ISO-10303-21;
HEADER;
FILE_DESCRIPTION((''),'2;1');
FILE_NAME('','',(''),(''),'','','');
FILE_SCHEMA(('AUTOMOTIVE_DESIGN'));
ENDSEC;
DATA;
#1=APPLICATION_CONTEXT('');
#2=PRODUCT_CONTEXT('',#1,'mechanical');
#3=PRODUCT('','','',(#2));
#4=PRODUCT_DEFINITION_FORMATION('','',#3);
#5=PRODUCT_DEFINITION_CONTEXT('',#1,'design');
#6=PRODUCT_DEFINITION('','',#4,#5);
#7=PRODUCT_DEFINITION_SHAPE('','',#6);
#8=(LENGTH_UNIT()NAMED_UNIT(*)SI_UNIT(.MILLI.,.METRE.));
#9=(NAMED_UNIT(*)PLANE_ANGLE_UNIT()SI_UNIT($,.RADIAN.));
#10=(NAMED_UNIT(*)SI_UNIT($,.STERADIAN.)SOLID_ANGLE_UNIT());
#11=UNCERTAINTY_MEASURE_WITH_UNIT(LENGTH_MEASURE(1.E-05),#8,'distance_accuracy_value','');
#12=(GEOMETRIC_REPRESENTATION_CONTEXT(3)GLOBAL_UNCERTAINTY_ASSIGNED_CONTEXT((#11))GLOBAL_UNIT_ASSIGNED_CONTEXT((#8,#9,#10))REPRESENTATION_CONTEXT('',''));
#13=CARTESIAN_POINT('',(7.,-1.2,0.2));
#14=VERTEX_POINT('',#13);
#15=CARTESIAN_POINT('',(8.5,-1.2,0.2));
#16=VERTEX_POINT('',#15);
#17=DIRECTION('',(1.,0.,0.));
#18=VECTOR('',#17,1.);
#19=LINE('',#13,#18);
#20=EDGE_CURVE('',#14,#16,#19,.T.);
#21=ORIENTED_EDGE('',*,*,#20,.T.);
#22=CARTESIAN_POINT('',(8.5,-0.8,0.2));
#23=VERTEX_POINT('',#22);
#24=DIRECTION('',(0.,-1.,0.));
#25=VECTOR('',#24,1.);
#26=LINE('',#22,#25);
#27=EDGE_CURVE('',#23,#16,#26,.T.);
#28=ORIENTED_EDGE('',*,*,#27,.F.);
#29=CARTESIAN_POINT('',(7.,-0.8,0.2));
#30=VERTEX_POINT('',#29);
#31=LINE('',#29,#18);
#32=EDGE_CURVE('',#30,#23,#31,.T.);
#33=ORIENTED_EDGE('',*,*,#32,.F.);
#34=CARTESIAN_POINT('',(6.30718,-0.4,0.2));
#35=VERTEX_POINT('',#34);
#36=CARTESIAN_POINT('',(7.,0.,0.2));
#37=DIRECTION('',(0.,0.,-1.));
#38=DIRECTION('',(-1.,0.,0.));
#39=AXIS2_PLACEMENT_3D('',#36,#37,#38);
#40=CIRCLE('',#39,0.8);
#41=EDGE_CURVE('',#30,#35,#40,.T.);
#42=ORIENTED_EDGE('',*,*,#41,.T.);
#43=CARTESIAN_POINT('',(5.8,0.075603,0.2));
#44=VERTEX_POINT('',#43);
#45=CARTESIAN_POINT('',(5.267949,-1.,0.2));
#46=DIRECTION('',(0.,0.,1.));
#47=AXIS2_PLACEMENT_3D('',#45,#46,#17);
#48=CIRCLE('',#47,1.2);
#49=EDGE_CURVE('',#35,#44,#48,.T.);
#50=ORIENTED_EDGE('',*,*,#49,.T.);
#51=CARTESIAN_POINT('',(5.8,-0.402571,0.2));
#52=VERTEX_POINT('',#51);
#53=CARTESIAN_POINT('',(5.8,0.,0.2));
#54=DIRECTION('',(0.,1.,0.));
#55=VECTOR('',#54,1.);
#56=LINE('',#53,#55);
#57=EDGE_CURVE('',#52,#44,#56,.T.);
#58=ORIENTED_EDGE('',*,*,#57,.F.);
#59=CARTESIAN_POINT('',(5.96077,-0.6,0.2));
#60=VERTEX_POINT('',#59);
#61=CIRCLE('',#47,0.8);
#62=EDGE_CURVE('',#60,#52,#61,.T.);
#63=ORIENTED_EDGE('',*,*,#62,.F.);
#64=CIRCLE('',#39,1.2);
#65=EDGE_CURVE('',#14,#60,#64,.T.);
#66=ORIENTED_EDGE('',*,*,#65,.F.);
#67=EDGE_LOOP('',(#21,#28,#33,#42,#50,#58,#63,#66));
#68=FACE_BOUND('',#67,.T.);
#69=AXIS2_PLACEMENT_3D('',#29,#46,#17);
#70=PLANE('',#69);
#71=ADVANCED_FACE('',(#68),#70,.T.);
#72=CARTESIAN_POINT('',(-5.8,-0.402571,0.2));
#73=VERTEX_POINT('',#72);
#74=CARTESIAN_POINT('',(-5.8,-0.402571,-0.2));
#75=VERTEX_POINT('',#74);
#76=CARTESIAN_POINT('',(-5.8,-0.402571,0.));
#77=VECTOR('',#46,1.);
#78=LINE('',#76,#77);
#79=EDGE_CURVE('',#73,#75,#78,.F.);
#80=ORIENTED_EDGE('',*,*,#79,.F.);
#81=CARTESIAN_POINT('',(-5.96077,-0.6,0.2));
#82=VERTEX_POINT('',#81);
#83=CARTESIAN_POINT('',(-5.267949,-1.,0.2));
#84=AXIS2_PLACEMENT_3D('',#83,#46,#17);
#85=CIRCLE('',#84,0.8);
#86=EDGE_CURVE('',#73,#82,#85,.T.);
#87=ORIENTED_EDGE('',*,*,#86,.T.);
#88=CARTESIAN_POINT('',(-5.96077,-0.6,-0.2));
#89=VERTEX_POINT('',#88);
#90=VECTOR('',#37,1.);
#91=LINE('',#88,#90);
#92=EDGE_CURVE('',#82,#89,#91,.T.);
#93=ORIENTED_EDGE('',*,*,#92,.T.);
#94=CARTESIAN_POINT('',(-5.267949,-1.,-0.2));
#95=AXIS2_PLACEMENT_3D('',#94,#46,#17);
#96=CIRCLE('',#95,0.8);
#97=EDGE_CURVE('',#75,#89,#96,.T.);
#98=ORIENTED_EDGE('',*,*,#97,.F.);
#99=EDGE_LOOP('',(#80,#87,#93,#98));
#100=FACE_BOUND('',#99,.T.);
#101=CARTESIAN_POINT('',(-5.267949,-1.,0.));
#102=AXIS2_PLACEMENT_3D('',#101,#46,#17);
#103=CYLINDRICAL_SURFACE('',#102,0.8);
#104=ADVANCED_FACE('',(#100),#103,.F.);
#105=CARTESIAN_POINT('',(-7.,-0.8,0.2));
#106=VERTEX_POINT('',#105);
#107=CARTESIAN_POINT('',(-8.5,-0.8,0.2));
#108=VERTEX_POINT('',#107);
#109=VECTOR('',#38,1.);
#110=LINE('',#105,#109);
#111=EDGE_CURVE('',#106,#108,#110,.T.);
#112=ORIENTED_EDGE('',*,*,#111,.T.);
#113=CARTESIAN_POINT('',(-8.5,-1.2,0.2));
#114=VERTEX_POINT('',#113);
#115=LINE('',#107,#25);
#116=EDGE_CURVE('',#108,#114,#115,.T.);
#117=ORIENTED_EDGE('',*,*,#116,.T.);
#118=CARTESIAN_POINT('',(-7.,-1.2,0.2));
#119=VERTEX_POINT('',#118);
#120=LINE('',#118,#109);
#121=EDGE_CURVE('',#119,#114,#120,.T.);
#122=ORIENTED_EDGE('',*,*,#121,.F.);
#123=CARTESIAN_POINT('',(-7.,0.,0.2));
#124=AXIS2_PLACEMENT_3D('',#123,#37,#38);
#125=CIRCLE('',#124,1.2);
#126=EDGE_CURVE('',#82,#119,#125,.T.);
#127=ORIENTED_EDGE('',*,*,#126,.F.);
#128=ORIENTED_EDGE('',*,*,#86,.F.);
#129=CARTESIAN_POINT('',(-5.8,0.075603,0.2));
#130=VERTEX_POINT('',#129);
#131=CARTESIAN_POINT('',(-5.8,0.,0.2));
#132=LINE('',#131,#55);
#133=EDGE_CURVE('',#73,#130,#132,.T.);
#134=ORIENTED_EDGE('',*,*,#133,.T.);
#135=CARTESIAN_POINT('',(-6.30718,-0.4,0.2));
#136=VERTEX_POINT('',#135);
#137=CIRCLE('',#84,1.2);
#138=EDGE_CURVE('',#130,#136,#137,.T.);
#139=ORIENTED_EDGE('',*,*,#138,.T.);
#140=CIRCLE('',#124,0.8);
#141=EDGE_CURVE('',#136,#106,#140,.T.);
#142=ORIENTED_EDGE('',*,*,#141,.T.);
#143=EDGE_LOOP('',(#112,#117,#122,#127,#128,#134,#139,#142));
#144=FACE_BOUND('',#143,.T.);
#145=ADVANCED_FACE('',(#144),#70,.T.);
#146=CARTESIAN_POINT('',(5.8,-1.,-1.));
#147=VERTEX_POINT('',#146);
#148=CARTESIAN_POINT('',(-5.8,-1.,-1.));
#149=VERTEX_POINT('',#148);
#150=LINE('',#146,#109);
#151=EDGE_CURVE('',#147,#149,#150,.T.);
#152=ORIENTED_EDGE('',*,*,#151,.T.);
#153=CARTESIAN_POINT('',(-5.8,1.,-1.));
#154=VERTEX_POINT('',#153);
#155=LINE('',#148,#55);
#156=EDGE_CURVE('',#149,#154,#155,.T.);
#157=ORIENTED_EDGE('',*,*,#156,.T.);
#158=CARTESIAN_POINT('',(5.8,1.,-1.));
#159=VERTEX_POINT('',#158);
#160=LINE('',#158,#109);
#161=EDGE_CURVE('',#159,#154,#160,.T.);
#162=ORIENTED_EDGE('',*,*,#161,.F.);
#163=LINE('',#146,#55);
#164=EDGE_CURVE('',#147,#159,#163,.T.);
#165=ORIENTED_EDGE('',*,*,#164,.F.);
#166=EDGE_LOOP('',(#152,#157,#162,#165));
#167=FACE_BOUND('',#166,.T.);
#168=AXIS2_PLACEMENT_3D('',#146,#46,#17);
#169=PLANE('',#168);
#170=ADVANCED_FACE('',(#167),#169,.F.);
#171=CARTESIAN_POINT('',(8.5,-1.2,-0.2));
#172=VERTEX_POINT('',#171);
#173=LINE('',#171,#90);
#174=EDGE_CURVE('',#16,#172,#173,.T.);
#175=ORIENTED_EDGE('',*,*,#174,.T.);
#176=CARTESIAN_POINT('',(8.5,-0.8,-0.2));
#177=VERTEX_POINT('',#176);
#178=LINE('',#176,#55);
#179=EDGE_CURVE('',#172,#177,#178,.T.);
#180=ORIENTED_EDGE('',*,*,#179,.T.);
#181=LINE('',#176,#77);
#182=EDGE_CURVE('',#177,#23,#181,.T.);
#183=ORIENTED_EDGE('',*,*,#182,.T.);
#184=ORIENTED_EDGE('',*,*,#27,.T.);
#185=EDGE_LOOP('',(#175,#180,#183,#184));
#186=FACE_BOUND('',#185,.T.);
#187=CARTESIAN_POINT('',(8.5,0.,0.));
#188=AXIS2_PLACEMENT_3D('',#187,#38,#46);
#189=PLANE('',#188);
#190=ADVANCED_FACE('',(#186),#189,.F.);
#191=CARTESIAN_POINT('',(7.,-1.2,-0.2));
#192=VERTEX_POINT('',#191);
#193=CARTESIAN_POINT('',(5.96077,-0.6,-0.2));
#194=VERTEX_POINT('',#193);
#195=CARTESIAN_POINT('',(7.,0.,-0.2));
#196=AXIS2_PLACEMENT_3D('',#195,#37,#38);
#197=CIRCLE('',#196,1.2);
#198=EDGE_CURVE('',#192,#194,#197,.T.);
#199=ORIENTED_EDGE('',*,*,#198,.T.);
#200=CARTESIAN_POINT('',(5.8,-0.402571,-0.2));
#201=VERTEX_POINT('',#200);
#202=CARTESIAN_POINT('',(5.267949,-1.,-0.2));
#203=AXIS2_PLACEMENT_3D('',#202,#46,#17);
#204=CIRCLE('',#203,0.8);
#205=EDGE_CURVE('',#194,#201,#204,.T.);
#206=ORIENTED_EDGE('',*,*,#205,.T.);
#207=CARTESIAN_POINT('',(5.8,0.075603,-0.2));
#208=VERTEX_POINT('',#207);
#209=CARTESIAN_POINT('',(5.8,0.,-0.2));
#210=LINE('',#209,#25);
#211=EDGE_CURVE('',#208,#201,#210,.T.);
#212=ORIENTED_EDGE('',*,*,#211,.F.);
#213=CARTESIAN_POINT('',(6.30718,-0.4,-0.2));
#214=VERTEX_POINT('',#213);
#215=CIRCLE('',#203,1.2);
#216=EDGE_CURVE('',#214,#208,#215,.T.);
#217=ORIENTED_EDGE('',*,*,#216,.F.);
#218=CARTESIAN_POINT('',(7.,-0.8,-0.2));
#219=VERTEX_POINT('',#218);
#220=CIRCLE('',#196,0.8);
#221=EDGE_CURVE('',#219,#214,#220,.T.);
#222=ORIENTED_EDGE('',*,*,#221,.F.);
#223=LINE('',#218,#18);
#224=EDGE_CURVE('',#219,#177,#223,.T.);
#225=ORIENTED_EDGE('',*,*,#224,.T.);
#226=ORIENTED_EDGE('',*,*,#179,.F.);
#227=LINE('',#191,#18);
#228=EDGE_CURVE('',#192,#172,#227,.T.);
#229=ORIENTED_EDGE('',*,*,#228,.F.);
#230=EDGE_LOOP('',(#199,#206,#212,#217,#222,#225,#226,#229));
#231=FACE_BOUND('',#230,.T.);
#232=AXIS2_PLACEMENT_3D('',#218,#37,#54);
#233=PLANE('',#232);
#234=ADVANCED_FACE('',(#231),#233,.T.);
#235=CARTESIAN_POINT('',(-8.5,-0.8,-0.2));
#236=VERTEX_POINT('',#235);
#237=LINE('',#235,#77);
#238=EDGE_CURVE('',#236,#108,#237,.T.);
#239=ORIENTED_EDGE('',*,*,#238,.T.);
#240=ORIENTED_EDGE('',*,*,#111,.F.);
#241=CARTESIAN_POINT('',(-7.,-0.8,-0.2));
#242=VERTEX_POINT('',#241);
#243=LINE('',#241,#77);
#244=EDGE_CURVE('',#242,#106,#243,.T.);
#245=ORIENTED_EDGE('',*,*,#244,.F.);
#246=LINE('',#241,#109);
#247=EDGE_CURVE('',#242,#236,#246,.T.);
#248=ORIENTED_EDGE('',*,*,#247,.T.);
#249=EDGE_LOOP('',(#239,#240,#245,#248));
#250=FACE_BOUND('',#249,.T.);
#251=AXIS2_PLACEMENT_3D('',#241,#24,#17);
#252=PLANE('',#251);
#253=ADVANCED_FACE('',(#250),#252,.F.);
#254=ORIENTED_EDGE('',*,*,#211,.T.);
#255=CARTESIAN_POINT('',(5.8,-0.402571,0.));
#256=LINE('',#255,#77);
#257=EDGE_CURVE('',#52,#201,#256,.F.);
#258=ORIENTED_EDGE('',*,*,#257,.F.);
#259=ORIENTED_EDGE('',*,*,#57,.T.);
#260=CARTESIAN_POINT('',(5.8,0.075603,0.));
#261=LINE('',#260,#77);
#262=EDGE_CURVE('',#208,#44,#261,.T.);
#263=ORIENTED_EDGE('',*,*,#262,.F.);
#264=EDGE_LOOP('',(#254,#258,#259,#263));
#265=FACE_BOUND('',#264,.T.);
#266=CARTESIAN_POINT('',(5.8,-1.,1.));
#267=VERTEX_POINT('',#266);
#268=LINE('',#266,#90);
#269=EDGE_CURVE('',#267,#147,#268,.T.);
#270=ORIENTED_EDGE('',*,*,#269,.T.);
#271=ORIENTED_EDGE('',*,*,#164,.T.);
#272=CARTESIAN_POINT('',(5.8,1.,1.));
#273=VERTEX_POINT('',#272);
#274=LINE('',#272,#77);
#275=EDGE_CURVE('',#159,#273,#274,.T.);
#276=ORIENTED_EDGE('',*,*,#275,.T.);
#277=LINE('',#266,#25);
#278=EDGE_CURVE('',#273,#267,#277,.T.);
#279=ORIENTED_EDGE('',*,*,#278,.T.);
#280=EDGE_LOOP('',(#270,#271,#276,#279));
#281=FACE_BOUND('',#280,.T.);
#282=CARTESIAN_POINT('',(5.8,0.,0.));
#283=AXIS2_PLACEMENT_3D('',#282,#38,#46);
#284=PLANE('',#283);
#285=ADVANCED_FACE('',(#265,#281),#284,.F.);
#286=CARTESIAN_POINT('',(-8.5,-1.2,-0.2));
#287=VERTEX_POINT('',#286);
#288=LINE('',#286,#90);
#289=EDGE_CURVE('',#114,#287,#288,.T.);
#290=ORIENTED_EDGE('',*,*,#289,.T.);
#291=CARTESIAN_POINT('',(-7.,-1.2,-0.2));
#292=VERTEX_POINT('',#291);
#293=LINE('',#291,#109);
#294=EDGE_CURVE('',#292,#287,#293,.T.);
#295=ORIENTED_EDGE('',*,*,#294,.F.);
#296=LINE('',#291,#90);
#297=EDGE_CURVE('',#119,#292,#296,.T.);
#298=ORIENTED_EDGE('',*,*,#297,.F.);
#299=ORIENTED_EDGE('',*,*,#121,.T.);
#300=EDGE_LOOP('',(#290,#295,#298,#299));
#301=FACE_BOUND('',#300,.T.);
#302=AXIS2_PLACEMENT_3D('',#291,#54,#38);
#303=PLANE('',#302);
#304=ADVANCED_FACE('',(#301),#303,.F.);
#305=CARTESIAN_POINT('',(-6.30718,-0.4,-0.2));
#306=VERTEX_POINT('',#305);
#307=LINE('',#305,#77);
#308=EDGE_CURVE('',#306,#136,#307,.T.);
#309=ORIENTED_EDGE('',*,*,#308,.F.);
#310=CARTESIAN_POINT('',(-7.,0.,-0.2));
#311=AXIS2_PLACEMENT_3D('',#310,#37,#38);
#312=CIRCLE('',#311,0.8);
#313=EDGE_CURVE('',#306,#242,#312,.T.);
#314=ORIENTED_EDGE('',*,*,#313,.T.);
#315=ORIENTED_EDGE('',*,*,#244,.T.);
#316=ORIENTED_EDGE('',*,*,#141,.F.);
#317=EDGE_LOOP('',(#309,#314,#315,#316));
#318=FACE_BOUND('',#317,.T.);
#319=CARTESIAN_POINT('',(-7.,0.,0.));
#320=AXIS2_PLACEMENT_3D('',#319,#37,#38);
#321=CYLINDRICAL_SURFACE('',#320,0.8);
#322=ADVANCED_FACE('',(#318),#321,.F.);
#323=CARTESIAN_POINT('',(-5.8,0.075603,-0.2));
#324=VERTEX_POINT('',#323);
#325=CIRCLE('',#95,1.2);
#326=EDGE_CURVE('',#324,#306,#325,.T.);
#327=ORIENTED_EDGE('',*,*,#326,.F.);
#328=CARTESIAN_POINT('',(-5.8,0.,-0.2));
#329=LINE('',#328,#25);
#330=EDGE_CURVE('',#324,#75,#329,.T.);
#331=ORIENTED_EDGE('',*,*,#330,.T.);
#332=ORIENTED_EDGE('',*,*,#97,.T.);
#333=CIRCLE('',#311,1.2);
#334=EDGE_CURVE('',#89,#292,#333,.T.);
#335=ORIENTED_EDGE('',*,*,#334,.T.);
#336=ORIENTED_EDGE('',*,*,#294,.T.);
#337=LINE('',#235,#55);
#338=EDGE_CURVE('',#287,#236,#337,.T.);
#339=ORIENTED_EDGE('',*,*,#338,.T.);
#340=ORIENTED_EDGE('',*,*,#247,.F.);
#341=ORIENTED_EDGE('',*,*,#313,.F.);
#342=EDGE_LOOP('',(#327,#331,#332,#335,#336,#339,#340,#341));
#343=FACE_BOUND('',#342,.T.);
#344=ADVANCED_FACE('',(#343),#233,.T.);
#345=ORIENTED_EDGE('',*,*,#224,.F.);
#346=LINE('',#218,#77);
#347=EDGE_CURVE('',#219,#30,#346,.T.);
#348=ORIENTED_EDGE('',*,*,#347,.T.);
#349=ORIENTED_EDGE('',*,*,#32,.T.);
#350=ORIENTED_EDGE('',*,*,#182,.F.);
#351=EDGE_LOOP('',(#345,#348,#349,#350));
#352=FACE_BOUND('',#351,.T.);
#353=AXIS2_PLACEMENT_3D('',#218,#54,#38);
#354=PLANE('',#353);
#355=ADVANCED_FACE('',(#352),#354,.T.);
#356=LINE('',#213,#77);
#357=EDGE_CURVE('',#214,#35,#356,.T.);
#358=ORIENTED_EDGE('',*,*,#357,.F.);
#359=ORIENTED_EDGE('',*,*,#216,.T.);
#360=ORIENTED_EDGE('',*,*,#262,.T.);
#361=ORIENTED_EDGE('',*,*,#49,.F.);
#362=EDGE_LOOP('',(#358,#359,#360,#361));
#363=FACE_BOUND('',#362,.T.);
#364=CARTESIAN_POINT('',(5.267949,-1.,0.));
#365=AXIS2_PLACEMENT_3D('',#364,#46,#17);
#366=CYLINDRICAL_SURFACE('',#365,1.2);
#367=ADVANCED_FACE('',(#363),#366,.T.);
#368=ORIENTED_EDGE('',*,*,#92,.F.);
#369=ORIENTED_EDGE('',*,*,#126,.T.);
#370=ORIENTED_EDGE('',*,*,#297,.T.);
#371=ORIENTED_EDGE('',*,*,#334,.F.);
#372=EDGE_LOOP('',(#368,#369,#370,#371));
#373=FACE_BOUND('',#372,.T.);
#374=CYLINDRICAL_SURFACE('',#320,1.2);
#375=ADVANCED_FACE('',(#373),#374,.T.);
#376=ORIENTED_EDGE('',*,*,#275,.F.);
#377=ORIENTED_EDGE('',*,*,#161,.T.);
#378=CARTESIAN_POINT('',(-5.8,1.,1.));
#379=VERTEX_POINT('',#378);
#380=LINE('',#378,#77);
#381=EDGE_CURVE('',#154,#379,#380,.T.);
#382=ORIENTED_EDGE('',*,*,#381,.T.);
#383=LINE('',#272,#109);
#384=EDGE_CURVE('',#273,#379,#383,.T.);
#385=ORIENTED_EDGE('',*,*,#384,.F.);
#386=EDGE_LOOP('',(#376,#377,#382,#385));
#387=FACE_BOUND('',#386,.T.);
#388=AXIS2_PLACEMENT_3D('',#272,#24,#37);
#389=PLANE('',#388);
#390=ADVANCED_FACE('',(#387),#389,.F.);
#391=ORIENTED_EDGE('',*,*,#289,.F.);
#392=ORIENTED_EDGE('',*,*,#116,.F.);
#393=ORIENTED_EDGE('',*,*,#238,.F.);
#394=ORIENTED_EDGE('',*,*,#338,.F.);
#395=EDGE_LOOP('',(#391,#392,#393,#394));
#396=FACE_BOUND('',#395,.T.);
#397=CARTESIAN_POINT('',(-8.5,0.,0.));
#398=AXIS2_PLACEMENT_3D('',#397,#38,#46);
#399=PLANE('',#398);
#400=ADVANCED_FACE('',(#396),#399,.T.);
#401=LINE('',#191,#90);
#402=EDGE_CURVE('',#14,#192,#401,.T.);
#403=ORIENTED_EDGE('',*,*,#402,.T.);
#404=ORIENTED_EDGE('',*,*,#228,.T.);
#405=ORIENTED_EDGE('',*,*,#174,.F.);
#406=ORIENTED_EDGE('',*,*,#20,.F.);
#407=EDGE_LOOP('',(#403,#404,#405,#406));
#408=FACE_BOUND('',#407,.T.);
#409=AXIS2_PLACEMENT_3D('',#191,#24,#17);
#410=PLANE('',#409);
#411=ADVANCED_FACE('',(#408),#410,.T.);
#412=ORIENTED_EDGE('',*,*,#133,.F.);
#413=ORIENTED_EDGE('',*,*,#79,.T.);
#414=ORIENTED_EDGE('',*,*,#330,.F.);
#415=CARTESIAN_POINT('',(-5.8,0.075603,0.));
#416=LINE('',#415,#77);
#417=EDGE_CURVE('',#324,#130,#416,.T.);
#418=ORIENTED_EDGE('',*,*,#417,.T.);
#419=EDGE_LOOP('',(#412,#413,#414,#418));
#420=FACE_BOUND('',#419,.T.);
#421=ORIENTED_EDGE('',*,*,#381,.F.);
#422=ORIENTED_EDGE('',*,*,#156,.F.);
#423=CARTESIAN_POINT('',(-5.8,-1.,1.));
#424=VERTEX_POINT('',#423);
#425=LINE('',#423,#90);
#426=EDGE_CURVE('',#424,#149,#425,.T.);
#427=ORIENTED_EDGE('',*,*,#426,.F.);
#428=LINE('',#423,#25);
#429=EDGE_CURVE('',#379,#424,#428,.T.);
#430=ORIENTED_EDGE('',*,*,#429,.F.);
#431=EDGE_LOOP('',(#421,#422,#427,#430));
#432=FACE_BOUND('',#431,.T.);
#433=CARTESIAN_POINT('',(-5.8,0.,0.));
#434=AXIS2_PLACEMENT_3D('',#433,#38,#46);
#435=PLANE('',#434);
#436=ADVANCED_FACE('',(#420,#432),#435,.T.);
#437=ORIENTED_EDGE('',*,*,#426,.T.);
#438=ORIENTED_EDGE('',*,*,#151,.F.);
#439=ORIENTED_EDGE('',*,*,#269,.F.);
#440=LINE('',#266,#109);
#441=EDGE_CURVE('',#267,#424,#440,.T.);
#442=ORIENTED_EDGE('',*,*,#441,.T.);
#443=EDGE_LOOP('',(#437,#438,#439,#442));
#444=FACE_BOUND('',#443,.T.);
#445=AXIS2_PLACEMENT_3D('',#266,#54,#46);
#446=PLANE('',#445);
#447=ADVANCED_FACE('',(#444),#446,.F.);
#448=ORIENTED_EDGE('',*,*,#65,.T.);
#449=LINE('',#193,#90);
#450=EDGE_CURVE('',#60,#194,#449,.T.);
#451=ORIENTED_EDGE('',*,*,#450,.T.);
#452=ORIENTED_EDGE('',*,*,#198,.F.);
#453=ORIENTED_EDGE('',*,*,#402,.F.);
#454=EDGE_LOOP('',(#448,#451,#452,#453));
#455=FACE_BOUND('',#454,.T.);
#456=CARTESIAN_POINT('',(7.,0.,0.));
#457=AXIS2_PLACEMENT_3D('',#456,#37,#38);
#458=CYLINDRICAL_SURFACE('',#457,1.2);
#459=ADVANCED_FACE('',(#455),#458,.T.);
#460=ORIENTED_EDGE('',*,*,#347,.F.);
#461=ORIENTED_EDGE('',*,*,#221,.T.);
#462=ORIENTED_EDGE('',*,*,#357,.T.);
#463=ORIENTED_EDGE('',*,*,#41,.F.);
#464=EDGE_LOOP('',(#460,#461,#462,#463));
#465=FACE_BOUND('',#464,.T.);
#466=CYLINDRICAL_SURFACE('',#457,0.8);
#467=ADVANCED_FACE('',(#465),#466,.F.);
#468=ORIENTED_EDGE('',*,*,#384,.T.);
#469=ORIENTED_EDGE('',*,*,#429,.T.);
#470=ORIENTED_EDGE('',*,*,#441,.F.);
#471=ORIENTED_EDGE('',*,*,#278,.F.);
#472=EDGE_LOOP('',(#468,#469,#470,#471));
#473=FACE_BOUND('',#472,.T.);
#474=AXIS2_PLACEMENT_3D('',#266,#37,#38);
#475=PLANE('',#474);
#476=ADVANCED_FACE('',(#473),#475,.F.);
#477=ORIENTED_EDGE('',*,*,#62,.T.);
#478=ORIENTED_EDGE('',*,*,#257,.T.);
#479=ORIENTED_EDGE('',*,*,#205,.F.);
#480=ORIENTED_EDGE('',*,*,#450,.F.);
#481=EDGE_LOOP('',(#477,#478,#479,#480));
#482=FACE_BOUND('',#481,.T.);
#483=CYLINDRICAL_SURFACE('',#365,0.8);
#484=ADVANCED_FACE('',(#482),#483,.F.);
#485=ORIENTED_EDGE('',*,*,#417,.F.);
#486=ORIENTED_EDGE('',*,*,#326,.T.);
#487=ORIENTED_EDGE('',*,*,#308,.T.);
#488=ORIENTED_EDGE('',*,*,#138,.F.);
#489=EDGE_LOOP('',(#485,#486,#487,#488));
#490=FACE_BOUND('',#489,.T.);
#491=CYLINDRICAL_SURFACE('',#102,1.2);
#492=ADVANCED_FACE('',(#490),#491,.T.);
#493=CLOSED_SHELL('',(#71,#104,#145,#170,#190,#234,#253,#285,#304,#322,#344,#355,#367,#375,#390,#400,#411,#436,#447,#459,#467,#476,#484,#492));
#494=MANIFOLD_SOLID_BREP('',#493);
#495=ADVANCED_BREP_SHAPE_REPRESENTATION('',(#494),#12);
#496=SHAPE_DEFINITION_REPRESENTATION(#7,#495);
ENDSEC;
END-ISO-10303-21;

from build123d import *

# Parameters (mm, degrees)
ESQUISSE6_W        = 2
ESQUISSE6_H        = 2
BOSS_EXTRU_3_DEPTH = 5.8
ESQUISSE7_W        = 0.4
ESQUISSE7_H        = 0.4


with BuildPart() as part:
    # Esquisse6 → Boss.-Extru.3 (new body, symmetric)
    with BuildSketch(Plane(origin=(0, 0, 0), x_dir=(0, 0, -1), z_dir=(1, 0, 0))):
        Rectangle(ESQUISSE6_W, ESQUISSE6_H)
    extrude(amount=BOSS_EXTRU_3_DEPTH, both=True)

    # Balayage1: sweep along a path in Esquisse2
    with BuildLine(Plane.XY) as balayage1_path:
        Line((-8.5, -1), (-7, -1))
        ThreePointArc((-7, -1), (-6.5, -0.866025404), (-6.133974596, -0.5))
        ThreePointArc((-6.133974596, -0.5), (-5.767949192, -0.133974596), (-5.267949192, 0))
        Line((-5.267949192, 0), (5.267949192, 0))
        ThreePointArc((5.267949192, 0), (5.767949192, -0.133974596), (6.133974596, -0.5))
        ThreePointArc((6.133974596, -0.5), (6.5, -0.866025404), (7, -1))
        Line((7, -1), (8.5, -1))
    # Esquisse7 → Balayage1 (sweep)
    with BuildSketch(Plane(origin=(8.5, 0, 0), x_dir=(0, 0, -1), z_dir=(1, 0, 0))):
        with Locations((0, -1)):
            Rectangle(ESQUISSE7_W, ESQUISSE7_H)
    sweep(path=balayage1_path.line)


solid = part.part
